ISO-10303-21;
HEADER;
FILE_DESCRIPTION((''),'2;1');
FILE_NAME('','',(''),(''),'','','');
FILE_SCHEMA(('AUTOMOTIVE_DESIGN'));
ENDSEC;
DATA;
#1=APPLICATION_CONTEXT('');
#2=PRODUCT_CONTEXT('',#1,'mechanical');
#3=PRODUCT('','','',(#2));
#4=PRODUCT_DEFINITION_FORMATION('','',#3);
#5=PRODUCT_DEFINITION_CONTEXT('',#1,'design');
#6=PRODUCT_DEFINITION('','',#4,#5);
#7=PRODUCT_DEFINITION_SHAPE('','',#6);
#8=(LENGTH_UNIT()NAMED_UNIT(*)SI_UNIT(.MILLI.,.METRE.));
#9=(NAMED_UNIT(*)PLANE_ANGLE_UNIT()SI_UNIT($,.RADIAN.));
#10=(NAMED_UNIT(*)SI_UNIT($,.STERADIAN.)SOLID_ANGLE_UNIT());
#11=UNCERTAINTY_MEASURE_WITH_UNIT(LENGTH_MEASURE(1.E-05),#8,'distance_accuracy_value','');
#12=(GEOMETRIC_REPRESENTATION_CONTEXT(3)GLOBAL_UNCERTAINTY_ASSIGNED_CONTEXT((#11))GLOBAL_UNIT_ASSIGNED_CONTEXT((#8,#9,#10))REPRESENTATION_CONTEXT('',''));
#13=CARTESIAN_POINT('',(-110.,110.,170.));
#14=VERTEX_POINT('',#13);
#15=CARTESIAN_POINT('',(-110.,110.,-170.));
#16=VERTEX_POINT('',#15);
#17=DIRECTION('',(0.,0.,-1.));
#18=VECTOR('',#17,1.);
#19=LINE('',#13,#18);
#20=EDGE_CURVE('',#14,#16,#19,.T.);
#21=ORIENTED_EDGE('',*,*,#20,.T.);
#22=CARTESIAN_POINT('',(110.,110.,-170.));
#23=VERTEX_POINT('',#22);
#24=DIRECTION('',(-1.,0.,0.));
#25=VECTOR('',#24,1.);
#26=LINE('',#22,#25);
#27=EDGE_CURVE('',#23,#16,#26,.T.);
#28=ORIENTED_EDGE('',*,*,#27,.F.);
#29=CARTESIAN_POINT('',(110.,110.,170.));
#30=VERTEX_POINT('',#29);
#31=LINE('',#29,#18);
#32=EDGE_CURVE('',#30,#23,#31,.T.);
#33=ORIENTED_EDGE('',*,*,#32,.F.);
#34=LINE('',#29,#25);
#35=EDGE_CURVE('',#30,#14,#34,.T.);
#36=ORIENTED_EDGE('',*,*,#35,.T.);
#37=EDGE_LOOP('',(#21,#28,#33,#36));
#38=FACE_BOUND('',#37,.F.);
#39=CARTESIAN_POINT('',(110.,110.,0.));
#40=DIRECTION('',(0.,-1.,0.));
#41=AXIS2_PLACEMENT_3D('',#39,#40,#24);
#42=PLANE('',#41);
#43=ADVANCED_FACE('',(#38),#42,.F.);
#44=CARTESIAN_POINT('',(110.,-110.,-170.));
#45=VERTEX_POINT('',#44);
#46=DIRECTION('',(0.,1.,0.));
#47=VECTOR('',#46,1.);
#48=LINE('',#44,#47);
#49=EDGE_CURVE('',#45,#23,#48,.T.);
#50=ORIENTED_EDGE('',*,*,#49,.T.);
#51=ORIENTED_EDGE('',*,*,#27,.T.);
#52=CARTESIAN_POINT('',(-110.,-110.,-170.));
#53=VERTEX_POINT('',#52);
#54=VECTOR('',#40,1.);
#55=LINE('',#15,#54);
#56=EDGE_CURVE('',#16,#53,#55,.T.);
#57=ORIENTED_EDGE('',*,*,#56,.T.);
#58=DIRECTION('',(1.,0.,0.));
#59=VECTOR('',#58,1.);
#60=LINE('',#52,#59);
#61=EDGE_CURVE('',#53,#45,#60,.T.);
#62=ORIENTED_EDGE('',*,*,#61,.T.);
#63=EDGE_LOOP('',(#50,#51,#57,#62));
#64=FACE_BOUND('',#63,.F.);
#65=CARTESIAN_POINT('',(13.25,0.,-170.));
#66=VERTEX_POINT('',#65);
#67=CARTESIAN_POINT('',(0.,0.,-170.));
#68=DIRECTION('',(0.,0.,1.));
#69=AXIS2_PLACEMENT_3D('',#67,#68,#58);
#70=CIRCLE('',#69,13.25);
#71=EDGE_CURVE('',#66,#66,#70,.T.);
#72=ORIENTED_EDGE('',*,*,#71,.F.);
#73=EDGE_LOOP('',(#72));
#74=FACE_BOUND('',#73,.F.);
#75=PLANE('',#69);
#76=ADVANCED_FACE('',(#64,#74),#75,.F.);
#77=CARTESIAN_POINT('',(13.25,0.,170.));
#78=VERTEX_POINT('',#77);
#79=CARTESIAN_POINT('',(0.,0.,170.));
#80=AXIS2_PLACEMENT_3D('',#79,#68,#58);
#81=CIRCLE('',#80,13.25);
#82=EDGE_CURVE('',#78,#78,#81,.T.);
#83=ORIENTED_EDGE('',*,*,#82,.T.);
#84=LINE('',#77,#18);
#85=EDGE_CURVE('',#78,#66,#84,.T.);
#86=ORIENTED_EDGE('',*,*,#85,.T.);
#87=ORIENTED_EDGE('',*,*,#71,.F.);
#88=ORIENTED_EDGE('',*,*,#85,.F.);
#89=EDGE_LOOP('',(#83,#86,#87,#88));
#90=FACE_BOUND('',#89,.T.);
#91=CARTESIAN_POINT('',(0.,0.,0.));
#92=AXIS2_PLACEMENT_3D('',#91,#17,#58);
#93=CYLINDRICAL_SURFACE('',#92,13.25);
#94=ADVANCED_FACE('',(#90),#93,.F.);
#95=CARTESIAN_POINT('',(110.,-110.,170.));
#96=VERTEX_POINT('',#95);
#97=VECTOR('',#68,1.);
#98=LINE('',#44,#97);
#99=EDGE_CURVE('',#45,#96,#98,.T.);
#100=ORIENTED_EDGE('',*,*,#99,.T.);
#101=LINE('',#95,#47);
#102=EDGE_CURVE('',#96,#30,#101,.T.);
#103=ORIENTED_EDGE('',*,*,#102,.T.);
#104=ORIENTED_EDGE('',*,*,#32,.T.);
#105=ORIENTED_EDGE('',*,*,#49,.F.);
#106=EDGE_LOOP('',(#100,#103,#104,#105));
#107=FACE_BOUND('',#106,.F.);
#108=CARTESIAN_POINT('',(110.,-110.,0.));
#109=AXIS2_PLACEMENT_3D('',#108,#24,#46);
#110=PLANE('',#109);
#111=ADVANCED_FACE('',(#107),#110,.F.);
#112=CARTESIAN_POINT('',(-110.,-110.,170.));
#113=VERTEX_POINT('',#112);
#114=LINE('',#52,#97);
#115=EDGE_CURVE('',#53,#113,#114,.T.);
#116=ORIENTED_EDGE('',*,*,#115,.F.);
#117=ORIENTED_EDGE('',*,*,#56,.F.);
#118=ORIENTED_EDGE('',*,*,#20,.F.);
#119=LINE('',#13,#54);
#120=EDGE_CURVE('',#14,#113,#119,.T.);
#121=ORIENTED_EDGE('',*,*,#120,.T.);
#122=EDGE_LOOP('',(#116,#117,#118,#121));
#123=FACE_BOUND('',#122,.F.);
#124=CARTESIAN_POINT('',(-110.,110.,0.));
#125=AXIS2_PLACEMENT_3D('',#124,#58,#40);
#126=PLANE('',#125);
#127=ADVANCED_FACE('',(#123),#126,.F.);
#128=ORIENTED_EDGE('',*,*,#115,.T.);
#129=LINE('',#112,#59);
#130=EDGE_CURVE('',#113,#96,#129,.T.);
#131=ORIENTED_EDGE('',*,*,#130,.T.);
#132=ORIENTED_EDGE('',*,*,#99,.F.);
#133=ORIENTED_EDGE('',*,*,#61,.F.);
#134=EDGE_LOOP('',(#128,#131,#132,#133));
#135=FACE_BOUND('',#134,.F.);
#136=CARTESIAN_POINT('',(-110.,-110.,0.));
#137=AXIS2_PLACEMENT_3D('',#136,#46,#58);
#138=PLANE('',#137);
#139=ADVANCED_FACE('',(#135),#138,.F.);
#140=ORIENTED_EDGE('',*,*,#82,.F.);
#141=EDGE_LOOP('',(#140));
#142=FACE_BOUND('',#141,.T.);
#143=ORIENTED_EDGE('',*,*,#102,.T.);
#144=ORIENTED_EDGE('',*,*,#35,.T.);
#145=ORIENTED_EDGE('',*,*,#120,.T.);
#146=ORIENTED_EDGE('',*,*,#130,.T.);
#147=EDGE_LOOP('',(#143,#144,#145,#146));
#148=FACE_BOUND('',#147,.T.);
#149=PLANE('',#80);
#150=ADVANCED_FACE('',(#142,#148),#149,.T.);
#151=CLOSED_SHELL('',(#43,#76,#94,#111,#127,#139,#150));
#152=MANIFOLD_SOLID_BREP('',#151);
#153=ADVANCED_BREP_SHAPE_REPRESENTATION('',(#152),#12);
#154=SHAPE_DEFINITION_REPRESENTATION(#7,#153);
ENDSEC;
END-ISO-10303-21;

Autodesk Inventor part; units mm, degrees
ref_plane "YZ Plane" through (0, 0, 0) normal (1, 0, 0) x (0, 1, 0)
ref_plane "XZ Plane" through (0, 0, 0) normal (0, 1, 0) x (-1, 0, 0)
ref_plane "XY Plane" through (0, 0, 0) normal (0, 0, 1) x (1, 0, 0)
sketch "草圖5" plane through (0, 0, 0) normal (0, 0, 1) x (1, 0, 0)
  line L0 (-110, -110) -> (110, -110)
  line L1 (110, -110) -> (110, 110)
  line L2 (110, 110) -> (-110, 110)
  line L3 (-110, 110) -> (-110, -110)
  line L4 (-110, -110) -> (110, 110) construction
  line L5 (110, -110) -> (-110, 110) construction
  circle A0 centre (0, 0) radius 13.25
  dimension "d29" = 220
  dimension "d30" = 220
  dimension "d33" = 26.5
extrude "擠出6" add sketch "草圖5" along normal mid plane 340
equation "\"th6\" = T1A_th6"
equation "\"T1A_th6\" = 45deg"
equation "\"T1A_R1\" = 585.5331"
equation "\"T1A_R3\" = 252.3048"
equation "\"T1A_R4\" = 320.6953"
equation "\"T1A_R5\" = 419.3047"
equation "\"T1A_R7\" = -221.7475"
equation "\"T1A_R8\" = 369.2781"
equation "\"T1A_R1_Width\" = 756"
equation "\"T1A_R2_Width\" = 756"
equation "\"T1A_R3_Width\" = 344"
equation "\"T1A_R4_Width\" = 756"
equation "\"T1A_Joint_Width\" = 756"
properties part number "Type 1A R6主滑台:1" material "密度7850的鋼"
